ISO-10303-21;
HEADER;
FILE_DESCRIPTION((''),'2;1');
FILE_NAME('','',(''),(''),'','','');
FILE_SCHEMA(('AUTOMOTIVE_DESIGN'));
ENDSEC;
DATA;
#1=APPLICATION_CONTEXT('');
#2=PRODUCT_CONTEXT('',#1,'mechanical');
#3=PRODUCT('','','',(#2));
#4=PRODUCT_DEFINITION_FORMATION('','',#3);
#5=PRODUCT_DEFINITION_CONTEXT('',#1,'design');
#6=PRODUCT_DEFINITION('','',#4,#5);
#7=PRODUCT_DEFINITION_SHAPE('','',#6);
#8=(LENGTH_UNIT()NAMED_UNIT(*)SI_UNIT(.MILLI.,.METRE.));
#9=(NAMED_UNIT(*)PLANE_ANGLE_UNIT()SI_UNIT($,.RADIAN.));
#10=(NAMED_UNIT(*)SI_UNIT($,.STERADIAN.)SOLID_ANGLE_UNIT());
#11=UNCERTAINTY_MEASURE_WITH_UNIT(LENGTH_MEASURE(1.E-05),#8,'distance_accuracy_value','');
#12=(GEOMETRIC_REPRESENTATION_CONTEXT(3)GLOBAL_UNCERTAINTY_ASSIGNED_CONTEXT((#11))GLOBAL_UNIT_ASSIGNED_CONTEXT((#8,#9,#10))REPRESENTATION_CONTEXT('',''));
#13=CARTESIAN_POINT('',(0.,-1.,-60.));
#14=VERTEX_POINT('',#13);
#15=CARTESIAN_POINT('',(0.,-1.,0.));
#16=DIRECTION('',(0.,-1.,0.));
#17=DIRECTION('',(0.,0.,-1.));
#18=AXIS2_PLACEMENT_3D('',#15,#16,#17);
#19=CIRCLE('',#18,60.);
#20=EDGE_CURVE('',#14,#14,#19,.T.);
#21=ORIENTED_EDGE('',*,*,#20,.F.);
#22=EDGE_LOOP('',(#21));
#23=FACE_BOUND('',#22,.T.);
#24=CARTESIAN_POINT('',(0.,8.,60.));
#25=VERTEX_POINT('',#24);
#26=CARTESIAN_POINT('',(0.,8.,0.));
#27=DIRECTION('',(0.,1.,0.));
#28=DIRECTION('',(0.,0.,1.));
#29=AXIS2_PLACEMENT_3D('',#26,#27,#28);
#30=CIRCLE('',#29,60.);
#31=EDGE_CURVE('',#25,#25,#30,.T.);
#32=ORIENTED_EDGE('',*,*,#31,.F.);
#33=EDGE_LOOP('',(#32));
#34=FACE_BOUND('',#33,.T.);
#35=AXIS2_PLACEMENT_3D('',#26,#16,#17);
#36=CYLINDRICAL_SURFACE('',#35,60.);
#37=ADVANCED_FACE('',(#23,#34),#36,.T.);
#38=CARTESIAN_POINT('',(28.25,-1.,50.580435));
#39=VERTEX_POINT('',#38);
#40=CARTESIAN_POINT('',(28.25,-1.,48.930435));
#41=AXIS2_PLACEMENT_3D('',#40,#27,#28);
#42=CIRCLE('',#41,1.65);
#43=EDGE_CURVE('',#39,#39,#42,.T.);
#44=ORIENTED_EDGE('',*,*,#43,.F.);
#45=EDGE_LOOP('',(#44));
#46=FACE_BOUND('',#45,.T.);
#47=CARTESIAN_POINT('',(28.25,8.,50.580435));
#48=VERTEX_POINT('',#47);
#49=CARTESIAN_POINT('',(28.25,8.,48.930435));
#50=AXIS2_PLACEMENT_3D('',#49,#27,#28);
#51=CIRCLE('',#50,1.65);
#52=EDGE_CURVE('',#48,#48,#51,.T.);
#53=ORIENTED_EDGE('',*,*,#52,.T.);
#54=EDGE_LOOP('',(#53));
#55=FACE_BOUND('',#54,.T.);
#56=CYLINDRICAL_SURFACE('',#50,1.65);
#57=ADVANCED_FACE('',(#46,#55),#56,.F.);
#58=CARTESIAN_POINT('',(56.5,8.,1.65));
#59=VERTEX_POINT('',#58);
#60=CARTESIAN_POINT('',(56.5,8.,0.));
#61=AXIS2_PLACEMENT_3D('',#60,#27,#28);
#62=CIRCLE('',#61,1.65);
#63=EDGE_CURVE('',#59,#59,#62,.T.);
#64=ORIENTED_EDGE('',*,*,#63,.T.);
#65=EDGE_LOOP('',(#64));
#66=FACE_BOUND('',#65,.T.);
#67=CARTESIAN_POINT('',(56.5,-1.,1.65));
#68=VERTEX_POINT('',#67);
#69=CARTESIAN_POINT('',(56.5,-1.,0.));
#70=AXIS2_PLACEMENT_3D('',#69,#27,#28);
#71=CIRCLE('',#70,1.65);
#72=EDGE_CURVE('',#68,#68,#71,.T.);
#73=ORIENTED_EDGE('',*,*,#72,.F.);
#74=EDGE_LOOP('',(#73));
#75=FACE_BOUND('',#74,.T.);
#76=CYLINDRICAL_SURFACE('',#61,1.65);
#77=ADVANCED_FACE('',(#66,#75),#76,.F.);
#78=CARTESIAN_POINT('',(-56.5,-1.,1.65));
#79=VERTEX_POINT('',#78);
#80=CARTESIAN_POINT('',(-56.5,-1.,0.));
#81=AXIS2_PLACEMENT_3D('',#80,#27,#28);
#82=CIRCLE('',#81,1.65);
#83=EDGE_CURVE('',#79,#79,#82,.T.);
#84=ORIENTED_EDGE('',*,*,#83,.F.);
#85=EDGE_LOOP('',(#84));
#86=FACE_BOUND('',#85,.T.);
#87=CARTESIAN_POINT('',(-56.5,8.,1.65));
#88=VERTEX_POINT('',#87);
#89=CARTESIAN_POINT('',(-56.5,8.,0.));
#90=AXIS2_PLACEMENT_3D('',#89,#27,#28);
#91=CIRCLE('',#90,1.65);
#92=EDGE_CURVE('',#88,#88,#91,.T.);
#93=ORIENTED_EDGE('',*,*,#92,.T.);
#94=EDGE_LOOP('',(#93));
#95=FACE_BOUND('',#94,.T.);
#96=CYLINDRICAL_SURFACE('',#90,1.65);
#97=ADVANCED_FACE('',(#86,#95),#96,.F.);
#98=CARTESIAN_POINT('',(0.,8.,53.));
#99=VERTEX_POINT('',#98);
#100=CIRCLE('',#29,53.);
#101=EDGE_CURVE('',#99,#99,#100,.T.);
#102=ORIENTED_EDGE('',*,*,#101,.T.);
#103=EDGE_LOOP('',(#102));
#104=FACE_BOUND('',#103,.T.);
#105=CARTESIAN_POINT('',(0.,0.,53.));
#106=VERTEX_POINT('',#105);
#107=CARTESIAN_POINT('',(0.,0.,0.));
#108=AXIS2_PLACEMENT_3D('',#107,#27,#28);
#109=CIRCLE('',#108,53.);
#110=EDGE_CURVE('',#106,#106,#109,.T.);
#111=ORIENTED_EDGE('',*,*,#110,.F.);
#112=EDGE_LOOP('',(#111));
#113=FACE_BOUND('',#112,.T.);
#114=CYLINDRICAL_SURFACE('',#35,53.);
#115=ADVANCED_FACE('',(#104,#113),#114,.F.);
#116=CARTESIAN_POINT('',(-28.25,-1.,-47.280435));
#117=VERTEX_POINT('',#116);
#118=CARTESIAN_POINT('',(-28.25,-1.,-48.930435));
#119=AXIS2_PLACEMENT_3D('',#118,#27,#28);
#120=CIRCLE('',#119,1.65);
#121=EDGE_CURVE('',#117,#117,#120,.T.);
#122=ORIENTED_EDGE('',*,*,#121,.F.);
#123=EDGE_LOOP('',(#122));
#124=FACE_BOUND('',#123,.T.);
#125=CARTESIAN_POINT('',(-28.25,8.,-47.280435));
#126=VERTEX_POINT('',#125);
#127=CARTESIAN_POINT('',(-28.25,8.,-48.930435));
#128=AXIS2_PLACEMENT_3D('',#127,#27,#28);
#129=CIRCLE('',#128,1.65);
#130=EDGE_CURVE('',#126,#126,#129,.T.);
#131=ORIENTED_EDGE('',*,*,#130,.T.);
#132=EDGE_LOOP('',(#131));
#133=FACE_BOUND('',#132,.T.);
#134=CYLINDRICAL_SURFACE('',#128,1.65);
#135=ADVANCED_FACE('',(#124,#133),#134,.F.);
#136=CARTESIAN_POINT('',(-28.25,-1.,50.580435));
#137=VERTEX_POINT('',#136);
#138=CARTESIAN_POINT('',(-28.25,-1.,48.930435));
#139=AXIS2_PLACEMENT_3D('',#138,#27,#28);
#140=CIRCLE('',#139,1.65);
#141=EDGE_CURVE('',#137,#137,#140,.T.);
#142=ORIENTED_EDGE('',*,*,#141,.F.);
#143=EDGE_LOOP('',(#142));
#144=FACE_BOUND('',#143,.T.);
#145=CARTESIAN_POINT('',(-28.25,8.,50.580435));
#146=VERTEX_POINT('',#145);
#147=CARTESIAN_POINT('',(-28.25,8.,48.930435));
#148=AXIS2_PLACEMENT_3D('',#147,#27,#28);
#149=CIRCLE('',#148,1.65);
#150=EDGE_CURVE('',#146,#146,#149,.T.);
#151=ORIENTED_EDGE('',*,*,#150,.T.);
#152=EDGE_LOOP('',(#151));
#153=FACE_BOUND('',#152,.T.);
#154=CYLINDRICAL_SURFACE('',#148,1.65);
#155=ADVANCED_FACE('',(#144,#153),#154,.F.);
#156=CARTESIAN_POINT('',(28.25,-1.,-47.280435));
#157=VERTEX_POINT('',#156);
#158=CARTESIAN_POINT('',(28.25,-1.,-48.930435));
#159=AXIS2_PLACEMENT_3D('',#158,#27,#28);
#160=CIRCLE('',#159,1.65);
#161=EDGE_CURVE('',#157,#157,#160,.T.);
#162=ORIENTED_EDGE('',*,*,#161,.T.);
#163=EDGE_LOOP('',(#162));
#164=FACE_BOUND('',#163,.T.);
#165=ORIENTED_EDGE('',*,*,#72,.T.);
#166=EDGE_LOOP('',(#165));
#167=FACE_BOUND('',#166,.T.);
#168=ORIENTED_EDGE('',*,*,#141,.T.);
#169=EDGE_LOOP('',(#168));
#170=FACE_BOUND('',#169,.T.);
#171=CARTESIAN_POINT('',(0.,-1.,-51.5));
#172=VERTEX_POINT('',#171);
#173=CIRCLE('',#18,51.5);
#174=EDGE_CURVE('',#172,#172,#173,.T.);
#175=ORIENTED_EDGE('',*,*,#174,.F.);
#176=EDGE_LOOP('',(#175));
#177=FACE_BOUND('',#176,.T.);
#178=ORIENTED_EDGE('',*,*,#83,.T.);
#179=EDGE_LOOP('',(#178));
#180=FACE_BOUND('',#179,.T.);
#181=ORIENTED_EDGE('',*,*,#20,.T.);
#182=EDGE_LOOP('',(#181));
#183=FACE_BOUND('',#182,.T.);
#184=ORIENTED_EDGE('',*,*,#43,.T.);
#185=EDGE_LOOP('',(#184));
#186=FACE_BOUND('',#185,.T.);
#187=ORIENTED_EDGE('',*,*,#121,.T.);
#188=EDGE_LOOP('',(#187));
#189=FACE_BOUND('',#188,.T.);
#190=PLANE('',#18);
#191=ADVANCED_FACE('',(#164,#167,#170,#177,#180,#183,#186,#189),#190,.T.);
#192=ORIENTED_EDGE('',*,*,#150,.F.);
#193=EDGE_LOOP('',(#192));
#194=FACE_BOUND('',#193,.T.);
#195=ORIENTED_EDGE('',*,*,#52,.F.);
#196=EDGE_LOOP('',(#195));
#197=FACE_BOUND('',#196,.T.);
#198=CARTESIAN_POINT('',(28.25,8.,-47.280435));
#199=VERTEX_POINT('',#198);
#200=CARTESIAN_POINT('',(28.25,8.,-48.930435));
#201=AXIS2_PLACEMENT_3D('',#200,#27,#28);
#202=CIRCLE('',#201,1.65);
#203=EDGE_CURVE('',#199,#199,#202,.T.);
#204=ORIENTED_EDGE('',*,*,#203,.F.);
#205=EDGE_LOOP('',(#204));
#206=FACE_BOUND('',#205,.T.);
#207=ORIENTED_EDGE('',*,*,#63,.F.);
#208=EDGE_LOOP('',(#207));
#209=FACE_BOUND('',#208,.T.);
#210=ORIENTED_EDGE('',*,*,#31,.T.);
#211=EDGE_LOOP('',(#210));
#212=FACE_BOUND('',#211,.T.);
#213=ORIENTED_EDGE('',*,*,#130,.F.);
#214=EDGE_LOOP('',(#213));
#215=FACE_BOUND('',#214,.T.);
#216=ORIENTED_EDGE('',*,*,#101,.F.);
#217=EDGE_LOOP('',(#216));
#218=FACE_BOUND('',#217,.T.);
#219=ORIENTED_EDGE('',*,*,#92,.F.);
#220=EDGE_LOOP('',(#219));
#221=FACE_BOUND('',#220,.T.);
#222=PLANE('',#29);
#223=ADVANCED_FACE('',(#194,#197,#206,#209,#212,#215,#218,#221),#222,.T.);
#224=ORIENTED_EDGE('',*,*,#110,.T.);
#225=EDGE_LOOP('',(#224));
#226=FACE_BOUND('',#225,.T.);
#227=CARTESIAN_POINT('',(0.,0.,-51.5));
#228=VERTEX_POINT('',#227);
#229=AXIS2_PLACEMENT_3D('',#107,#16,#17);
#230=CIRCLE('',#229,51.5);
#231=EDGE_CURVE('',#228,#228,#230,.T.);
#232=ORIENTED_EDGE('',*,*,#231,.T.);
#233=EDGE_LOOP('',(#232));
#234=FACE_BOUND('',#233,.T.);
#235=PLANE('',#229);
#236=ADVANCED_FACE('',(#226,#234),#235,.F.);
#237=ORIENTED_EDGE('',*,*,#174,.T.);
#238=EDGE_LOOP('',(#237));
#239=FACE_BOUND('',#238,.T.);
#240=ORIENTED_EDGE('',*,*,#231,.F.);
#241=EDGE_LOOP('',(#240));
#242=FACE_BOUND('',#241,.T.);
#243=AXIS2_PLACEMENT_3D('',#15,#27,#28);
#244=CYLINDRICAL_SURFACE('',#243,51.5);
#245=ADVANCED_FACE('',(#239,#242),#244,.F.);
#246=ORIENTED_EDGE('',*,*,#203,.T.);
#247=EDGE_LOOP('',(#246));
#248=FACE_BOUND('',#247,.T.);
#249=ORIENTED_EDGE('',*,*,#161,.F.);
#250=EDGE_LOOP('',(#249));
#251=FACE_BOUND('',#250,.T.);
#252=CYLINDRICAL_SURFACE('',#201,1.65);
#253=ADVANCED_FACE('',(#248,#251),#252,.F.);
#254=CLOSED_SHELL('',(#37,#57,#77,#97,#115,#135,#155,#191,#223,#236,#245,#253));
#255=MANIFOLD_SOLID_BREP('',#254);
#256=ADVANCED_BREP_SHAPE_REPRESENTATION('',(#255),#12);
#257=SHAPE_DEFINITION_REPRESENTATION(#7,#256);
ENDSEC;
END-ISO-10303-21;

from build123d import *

# Parameters (mm, degrees)
SKETCH_2_R         = 60
SKETCH_2_R_2       = 53
EXTRUDE_1_DEPTH    = 8
EXTRUDE_START      = 1
SKETCH_3_R         = 60
SKETCH_3_R_2       = 51.5
EXTRUDE_2_DEPTH    = 1
HOLE_WIZARD_M4_1_D = 3.3


with BuildPart() as part:
    # 草图2 → 凸台-拉伸1 (new body)
    with BuildSketch(Plane(origin=(0, 0, 0), x_dir=(1, 0, 0), z_dir=(0, 1, 0))):
        with Locations(Location((0, 0, 0), (0, 0, 270))):
            Circle(SKETCH_2_R)
        with Locations(Location((0, 0, 0), (0, 0, 270))):
            Circle(SKETCH_2_R_2, mode=Mode.SUBTRACT)
    extrude(amount=EXTRUDE_1_DEPTH)

    # 草图3 → 凸台-拉伸2 (add)
    with BuildSketch(Plane.XZ.offset(EXTRUDE_START)):
        with Locations(Location((0, 0, 0), (0, 0, 270))):
            Circle(SKETCH_3_R)
        with Locations(Location((0, 0, 0), (0, 0, 270))):
            Circle(SKETCH_3_R_2, mode=Mode.SUBTRACT)
    extrude(amount=-EXTRUDE_2_DEPTH)

    # M4 螺纹孔1 (through all)
    with Locations(Plane(origin=(0, 8, 0), x_dir=(1, 0, 0), z_dir=(0, 1, 0))):
        with Locations((-28.25, 48.930435314), (28.25, 48.930435314), (56.5, 0), (28.25, -48.930435314), (-28.25, -48.930435314), (-56.5, 0)):
            Hole(HOLE_WIZARD_M4_1_D / 2)


solid = part.part
